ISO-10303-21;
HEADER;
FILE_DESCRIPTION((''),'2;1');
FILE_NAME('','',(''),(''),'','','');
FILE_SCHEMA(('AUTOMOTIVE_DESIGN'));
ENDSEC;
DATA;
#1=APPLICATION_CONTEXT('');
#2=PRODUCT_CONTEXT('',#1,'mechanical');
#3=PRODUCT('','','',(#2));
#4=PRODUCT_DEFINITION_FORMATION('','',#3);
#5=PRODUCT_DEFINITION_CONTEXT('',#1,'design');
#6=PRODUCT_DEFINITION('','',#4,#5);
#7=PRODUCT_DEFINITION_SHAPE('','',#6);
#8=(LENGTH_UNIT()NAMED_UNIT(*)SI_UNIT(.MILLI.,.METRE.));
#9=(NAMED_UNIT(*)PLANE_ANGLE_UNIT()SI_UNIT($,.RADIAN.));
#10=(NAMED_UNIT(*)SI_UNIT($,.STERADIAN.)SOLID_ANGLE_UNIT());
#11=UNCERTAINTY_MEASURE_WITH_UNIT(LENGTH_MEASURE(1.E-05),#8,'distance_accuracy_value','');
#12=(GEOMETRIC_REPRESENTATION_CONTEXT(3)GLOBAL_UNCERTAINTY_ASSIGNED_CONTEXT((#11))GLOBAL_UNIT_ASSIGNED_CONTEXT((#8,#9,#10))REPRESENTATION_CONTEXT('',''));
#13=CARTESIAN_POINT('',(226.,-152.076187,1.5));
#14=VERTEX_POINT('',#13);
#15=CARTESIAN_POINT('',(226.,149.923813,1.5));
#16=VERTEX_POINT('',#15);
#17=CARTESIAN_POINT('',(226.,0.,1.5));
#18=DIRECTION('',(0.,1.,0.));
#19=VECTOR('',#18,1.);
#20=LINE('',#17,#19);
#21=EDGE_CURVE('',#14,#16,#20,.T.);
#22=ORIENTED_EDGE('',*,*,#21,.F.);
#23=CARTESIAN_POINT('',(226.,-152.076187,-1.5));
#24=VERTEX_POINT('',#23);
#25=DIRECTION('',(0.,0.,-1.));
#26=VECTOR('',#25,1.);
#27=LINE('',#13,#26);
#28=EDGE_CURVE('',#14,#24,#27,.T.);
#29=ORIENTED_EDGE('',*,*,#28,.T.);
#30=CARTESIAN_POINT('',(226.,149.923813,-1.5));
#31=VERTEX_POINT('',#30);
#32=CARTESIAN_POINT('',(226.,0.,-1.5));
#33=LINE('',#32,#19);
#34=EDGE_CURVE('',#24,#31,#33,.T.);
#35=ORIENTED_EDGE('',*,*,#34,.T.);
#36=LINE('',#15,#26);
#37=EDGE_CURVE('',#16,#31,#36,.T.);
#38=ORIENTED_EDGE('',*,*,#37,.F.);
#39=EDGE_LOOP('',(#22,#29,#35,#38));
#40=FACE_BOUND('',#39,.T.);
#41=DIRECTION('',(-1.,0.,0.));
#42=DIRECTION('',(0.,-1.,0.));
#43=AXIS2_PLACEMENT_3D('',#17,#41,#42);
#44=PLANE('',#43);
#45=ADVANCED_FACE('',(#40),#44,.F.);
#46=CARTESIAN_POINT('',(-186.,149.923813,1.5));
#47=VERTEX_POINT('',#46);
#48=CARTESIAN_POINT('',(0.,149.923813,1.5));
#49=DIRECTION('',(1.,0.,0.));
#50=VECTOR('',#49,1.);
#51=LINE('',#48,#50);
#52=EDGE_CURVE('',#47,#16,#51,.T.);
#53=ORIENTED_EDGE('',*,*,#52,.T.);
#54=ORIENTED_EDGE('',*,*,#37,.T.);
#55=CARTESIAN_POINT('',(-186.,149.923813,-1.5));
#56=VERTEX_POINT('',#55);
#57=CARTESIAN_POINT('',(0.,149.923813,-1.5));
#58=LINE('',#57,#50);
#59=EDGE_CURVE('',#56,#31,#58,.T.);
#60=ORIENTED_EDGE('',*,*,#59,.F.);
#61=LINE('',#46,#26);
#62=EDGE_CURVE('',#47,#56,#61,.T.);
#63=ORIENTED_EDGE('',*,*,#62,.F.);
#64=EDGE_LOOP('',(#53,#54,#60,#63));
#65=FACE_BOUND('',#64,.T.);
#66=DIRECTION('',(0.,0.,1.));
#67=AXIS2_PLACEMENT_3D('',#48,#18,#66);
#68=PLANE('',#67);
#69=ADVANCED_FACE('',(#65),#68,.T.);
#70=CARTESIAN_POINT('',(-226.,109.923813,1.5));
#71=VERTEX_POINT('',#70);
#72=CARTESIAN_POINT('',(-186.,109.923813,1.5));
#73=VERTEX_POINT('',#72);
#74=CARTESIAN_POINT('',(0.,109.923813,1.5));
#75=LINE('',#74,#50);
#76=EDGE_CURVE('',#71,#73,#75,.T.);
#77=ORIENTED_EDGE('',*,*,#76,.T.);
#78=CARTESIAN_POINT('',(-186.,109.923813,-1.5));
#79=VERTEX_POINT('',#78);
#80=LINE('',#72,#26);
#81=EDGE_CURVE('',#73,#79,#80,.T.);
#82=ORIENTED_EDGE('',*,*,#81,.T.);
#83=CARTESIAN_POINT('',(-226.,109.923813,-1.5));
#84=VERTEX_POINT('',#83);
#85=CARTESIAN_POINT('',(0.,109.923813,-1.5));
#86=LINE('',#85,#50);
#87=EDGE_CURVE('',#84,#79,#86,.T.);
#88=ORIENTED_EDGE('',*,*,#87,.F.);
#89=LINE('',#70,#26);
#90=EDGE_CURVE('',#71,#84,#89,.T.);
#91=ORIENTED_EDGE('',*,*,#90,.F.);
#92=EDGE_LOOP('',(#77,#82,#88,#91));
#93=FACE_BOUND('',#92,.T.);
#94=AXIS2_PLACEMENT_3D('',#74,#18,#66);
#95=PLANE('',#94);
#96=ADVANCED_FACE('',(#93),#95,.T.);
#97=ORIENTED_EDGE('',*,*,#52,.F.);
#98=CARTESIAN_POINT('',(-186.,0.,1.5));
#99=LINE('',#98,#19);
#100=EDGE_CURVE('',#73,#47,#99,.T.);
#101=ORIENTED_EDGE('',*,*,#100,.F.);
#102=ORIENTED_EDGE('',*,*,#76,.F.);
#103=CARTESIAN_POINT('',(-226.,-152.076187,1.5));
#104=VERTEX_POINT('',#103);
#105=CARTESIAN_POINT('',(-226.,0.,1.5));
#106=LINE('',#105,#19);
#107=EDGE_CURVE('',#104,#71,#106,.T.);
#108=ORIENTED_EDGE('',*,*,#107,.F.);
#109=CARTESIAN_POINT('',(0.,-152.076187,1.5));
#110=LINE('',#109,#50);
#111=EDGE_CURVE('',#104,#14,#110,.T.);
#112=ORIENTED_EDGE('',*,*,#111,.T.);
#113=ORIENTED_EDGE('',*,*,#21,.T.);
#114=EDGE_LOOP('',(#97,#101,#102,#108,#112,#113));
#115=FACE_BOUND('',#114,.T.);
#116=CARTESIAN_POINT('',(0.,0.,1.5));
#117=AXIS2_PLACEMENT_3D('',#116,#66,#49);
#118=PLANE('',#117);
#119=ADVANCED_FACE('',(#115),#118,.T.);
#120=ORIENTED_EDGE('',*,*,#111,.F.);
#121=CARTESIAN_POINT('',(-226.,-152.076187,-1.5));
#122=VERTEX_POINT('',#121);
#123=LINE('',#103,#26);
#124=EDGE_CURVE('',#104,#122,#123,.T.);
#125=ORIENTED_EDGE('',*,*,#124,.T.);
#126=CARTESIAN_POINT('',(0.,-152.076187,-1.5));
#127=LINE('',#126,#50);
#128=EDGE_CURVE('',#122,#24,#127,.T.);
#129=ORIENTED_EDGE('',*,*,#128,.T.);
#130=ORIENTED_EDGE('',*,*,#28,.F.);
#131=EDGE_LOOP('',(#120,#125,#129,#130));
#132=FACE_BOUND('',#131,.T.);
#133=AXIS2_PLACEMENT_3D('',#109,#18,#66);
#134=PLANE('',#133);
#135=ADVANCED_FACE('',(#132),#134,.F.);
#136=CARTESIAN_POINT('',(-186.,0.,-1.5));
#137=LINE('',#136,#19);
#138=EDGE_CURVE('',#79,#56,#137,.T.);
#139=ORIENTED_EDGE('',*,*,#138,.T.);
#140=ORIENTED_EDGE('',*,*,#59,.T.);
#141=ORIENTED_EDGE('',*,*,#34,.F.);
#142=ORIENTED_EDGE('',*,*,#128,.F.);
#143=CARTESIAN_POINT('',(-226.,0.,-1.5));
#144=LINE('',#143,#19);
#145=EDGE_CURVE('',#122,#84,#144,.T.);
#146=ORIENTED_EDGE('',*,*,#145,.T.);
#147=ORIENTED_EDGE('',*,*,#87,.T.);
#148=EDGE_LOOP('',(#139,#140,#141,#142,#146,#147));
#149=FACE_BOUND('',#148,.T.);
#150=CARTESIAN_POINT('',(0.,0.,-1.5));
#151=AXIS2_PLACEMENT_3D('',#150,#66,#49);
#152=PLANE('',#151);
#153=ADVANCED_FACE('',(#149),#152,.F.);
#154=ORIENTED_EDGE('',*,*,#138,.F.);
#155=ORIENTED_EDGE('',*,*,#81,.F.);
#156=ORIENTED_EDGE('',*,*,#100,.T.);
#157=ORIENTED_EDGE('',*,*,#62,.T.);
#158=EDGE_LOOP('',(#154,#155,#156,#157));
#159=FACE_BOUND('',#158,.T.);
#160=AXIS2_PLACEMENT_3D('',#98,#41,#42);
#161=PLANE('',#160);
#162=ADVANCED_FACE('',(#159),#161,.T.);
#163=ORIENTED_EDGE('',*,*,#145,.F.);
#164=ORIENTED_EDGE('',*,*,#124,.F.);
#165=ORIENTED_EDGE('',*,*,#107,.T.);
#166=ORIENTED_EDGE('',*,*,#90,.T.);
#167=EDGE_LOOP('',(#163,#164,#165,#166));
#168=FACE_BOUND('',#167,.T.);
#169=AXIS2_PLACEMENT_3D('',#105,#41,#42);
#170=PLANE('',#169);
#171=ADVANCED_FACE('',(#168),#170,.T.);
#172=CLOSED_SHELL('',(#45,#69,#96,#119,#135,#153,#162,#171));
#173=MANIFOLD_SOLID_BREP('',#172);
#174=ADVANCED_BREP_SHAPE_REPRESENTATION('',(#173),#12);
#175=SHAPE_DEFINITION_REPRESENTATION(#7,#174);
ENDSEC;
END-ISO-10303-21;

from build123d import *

# Parameters (mm, degrees)
EXTRUDE_1_DEPTH = 1.5


with BuildPart() as part:
    # ｽｹｯﾁ1 → ﾎﾞｽ - 押し出し1 (new body, symmetric)
    with BuildSketch(Plane.XY):
        Polygon((-226, 109.923812784), (-226, -152.076187216), (226, -152.076187216), (226, 149.923812784), (-186, 149.923812784), (-186, 109.923812784), align=None)
    extrude(amount=EXTRUDE_1_DEPTH, both=True)


solid = part.part
